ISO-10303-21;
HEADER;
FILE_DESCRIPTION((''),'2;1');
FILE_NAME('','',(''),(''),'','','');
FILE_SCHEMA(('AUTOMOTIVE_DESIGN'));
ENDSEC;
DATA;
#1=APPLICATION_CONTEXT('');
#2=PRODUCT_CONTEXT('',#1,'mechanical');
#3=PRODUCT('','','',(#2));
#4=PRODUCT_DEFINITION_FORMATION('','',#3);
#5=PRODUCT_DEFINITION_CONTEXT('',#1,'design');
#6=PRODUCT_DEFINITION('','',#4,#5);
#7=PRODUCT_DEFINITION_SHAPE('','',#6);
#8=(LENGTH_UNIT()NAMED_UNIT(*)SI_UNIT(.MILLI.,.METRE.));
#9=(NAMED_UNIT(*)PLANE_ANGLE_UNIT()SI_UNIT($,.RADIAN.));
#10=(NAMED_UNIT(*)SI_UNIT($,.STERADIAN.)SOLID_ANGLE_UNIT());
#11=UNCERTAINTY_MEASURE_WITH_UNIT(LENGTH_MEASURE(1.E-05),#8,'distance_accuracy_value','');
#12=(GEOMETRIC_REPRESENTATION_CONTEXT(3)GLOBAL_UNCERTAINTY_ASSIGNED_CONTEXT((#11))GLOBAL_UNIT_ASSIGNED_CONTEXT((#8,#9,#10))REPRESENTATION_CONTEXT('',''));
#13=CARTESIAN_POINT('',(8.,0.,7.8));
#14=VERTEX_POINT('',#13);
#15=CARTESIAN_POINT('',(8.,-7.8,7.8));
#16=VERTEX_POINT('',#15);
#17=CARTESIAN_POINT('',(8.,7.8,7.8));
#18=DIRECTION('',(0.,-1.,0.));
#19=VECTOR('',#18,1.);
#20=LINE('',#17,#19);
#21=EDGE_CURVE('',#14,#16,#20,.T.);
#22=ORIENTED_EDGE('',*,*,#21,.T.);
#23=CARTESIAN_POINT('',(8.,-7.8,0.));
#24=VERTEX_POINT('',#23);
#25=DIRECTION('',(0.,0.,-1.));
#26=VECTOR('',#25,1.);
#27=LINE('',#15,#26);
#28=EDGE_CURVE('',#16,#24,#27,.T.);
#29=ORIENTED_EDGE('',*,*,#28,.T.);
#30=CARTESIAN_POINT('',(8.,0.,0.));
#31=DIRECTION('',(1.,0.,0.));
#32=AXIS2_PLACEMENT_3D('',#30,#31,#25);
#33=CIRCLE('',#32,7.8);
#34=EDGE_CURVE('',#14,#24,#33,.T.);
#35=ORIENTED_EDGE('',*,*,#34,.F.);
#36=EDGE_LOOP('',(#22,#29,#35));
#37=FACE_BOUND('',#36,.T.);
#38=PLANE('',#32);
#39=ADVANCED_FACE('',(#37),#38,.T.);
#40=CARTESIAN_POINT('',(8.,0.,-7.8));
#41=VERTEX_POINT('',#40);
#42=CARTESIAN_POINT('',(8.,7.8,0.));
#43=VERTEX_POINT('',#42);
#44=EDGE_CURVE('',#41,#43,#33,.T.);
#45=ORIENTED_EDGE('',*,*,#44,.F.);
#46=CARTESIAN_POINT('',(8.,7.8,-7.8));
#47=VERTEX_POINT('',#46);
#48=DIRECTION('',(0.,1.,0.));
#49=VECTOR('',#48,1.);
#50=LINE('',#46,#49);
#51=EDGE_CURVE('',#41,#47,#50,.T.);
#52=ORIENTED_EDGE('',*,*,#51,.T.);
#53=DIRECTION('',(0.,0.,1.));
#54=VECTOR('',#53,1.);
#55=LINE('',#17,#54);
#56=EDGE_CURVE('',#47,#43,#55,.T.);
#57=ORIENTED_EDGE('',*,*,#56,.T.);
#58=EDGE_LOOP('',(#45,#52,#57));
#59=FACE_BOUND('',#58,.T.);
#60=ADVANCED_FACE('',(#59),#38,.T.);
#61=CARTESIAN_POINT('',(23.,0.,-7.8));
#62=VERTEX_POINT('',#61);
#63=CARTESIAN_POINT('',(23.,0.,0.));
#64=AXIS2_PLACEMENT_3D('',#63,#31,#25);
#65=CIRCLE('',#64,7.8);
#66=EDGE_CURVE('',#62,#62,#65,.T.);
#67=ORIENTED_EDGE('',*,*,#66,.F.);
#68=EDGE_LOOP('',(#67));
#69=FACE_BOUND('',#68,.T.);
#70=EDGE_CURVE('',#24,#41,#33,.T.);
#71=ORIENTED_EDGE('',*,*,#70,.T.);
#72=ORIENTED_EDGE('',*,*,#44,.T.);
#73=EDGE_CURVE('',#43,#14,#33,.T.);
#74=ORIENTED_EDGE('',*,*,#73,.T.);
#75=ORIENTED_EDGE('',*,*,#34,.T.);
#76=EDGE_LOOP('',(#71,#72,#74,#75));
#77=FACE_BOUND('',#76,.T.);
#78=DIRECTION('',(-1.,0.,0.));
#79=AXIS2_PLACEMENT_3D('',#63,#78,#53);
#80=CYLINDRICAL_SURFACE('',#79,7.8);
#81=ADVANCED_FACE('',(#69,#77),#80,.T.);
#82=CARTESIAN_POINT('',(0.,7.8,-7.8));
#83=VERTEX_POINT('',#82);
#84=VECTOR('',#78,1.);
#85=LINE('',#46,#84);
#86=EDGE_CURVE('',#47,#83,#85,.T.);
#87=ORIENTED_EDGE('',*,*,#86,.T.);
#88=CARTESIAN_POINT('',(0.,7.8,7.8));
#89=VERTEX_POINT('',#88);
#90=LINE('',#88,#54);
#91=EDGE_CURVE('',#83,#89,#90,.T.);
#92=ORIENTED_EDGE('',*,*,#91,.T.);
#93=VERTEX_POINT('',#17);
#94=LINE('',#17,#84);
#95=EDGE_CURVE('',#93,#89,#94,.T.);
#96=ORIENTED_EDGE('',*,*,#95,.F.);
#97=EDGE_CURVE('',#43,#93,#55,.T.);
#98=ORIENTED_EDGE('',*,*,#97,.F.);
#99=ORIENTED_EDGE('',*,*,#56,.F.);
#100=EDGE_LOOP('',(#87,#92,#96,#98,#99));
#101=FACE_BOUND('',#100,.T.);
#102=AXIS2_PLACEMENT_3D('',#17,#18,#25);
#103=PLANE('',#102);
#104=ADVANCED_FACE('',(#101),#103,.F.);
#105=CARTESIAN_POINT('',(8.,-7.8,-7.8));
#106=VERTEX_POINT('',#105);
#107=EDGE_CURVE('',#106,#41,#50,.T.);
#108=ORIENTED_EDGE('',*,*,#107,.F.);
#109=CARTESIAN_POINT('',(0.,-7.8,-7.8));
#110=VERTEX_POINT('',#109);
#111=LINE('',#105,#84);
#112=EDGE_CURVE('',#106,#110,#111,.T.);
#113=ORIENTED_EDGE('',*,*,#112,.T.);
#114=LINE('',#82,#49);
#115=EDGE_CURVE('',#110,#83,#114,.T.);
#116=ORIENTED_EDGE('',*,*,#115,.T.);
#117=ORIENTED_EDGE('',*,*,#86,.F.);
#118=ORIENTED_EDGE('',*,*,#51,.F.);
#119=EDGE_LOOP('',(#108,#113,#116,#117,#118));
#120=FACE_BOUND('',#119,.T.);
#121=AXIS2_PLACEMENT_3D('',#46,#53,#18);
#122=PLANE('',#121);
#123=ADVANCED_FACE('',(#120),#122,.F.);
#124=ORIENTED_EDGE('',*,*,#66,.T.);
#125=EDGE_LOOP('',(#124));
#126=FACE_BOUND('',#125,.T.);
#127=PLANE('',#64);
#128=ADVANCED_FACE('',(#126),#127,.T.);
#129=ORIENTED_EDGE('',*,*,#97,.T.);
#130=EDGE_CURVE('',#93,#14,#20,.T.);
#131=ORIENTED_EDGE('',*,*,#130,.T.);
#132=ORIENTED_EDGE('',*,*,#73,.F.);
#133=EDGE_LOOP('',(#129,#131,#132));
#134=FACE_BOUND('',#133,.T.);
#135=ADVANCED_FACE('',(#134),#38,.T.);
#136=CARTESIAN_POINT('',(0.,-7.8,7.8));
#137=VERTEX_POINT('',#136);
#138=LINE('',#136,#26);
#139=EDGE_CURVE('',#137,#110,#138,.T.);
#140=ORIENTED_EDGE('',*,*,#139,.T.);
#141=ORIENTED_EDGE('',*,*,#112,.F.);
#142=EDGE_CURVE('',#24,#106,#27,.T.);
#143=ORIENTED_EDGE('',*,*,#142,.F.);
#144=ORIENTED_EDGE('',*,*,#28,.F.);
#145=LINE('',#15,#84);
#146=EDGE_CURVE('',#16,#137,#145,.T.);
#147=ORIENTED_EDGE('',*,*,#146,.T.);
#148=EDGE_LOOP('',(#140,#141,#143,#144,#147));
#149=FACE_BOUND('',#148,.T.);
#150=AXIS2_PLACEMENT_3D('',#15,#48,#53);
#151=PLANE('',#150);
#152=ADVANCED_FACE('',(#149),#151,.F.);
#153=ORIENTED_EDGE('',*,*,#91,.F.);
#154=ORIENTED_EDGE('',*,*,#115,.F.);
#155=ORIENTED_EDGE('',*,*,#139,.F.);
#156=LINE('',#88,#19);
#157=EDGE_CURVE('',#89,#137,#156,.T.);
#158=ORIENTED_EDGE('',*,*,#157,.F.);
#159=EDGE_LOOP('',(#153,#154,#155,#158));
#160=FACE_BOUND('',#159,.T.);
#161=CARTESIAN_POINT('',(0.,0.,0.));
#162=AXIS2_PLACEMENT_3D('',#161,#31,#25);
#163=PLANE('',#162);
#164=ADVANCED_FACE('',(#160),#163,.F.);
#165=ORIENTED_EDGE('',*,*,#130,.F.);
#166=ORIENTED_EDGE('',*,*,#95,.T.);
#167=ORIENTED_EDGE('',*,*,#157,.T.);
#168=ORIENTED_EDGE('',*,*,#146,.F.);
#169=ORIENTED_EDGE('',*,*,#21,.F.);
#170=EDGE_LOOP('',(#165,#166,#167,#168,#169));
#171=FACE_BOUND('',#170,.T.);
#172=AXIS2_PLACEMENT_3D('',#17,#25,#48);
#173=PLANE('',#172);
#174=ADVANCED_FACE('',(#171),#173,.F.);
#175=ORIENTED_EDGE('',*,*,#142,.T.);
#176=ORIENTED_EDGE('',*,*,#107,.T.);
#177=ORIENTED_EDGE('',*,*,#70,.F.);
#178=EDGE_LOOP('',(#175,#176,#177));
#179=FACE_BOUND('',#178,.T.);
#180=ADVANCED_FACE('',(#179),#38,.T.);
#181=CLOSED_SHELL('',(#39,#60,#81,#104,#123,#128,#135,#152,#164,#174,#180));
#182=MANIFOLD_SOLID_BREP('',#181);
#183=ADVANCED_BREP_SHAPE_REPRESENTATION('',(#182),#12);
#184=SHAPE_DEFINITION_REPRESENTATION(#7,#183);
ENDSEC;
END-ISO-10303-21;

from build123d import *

# Parameters (mm, degrees)
SKETCH1_W           = 15.6
SKETCH1_H           = 15.6
BOSS_EXTRUDE1_DEPTH = 8
SKETCH2_R           = 7.8
BOSS_EXTRUDE2_DEPTH = 15


with BuildPart() as part:
    # Sketch1 → Boss-Extrude1 (new body)
    with BuildSketch(Plane(origin=(0, 0, 0), x_dir=(0, 0, -1), z_dir=(1, 0, 0))):
        Rectangle(SKETCH1_W, SKETCH1_H)
    extrude(amount=BOSS_EXTRUDE1_DEPTH)

    # Sketch2 → Boss-Extrude2 (add)
    with BuildSketch(Plane(origin=(8, 0, 0), x_dir=(0, 0, -1), z_dir=(1, 0, 0))):
        Circle(SKETCH2_R)
    extrude(amount=BOSS_EXTRUDE2_DEPTH)


solid = part.part
